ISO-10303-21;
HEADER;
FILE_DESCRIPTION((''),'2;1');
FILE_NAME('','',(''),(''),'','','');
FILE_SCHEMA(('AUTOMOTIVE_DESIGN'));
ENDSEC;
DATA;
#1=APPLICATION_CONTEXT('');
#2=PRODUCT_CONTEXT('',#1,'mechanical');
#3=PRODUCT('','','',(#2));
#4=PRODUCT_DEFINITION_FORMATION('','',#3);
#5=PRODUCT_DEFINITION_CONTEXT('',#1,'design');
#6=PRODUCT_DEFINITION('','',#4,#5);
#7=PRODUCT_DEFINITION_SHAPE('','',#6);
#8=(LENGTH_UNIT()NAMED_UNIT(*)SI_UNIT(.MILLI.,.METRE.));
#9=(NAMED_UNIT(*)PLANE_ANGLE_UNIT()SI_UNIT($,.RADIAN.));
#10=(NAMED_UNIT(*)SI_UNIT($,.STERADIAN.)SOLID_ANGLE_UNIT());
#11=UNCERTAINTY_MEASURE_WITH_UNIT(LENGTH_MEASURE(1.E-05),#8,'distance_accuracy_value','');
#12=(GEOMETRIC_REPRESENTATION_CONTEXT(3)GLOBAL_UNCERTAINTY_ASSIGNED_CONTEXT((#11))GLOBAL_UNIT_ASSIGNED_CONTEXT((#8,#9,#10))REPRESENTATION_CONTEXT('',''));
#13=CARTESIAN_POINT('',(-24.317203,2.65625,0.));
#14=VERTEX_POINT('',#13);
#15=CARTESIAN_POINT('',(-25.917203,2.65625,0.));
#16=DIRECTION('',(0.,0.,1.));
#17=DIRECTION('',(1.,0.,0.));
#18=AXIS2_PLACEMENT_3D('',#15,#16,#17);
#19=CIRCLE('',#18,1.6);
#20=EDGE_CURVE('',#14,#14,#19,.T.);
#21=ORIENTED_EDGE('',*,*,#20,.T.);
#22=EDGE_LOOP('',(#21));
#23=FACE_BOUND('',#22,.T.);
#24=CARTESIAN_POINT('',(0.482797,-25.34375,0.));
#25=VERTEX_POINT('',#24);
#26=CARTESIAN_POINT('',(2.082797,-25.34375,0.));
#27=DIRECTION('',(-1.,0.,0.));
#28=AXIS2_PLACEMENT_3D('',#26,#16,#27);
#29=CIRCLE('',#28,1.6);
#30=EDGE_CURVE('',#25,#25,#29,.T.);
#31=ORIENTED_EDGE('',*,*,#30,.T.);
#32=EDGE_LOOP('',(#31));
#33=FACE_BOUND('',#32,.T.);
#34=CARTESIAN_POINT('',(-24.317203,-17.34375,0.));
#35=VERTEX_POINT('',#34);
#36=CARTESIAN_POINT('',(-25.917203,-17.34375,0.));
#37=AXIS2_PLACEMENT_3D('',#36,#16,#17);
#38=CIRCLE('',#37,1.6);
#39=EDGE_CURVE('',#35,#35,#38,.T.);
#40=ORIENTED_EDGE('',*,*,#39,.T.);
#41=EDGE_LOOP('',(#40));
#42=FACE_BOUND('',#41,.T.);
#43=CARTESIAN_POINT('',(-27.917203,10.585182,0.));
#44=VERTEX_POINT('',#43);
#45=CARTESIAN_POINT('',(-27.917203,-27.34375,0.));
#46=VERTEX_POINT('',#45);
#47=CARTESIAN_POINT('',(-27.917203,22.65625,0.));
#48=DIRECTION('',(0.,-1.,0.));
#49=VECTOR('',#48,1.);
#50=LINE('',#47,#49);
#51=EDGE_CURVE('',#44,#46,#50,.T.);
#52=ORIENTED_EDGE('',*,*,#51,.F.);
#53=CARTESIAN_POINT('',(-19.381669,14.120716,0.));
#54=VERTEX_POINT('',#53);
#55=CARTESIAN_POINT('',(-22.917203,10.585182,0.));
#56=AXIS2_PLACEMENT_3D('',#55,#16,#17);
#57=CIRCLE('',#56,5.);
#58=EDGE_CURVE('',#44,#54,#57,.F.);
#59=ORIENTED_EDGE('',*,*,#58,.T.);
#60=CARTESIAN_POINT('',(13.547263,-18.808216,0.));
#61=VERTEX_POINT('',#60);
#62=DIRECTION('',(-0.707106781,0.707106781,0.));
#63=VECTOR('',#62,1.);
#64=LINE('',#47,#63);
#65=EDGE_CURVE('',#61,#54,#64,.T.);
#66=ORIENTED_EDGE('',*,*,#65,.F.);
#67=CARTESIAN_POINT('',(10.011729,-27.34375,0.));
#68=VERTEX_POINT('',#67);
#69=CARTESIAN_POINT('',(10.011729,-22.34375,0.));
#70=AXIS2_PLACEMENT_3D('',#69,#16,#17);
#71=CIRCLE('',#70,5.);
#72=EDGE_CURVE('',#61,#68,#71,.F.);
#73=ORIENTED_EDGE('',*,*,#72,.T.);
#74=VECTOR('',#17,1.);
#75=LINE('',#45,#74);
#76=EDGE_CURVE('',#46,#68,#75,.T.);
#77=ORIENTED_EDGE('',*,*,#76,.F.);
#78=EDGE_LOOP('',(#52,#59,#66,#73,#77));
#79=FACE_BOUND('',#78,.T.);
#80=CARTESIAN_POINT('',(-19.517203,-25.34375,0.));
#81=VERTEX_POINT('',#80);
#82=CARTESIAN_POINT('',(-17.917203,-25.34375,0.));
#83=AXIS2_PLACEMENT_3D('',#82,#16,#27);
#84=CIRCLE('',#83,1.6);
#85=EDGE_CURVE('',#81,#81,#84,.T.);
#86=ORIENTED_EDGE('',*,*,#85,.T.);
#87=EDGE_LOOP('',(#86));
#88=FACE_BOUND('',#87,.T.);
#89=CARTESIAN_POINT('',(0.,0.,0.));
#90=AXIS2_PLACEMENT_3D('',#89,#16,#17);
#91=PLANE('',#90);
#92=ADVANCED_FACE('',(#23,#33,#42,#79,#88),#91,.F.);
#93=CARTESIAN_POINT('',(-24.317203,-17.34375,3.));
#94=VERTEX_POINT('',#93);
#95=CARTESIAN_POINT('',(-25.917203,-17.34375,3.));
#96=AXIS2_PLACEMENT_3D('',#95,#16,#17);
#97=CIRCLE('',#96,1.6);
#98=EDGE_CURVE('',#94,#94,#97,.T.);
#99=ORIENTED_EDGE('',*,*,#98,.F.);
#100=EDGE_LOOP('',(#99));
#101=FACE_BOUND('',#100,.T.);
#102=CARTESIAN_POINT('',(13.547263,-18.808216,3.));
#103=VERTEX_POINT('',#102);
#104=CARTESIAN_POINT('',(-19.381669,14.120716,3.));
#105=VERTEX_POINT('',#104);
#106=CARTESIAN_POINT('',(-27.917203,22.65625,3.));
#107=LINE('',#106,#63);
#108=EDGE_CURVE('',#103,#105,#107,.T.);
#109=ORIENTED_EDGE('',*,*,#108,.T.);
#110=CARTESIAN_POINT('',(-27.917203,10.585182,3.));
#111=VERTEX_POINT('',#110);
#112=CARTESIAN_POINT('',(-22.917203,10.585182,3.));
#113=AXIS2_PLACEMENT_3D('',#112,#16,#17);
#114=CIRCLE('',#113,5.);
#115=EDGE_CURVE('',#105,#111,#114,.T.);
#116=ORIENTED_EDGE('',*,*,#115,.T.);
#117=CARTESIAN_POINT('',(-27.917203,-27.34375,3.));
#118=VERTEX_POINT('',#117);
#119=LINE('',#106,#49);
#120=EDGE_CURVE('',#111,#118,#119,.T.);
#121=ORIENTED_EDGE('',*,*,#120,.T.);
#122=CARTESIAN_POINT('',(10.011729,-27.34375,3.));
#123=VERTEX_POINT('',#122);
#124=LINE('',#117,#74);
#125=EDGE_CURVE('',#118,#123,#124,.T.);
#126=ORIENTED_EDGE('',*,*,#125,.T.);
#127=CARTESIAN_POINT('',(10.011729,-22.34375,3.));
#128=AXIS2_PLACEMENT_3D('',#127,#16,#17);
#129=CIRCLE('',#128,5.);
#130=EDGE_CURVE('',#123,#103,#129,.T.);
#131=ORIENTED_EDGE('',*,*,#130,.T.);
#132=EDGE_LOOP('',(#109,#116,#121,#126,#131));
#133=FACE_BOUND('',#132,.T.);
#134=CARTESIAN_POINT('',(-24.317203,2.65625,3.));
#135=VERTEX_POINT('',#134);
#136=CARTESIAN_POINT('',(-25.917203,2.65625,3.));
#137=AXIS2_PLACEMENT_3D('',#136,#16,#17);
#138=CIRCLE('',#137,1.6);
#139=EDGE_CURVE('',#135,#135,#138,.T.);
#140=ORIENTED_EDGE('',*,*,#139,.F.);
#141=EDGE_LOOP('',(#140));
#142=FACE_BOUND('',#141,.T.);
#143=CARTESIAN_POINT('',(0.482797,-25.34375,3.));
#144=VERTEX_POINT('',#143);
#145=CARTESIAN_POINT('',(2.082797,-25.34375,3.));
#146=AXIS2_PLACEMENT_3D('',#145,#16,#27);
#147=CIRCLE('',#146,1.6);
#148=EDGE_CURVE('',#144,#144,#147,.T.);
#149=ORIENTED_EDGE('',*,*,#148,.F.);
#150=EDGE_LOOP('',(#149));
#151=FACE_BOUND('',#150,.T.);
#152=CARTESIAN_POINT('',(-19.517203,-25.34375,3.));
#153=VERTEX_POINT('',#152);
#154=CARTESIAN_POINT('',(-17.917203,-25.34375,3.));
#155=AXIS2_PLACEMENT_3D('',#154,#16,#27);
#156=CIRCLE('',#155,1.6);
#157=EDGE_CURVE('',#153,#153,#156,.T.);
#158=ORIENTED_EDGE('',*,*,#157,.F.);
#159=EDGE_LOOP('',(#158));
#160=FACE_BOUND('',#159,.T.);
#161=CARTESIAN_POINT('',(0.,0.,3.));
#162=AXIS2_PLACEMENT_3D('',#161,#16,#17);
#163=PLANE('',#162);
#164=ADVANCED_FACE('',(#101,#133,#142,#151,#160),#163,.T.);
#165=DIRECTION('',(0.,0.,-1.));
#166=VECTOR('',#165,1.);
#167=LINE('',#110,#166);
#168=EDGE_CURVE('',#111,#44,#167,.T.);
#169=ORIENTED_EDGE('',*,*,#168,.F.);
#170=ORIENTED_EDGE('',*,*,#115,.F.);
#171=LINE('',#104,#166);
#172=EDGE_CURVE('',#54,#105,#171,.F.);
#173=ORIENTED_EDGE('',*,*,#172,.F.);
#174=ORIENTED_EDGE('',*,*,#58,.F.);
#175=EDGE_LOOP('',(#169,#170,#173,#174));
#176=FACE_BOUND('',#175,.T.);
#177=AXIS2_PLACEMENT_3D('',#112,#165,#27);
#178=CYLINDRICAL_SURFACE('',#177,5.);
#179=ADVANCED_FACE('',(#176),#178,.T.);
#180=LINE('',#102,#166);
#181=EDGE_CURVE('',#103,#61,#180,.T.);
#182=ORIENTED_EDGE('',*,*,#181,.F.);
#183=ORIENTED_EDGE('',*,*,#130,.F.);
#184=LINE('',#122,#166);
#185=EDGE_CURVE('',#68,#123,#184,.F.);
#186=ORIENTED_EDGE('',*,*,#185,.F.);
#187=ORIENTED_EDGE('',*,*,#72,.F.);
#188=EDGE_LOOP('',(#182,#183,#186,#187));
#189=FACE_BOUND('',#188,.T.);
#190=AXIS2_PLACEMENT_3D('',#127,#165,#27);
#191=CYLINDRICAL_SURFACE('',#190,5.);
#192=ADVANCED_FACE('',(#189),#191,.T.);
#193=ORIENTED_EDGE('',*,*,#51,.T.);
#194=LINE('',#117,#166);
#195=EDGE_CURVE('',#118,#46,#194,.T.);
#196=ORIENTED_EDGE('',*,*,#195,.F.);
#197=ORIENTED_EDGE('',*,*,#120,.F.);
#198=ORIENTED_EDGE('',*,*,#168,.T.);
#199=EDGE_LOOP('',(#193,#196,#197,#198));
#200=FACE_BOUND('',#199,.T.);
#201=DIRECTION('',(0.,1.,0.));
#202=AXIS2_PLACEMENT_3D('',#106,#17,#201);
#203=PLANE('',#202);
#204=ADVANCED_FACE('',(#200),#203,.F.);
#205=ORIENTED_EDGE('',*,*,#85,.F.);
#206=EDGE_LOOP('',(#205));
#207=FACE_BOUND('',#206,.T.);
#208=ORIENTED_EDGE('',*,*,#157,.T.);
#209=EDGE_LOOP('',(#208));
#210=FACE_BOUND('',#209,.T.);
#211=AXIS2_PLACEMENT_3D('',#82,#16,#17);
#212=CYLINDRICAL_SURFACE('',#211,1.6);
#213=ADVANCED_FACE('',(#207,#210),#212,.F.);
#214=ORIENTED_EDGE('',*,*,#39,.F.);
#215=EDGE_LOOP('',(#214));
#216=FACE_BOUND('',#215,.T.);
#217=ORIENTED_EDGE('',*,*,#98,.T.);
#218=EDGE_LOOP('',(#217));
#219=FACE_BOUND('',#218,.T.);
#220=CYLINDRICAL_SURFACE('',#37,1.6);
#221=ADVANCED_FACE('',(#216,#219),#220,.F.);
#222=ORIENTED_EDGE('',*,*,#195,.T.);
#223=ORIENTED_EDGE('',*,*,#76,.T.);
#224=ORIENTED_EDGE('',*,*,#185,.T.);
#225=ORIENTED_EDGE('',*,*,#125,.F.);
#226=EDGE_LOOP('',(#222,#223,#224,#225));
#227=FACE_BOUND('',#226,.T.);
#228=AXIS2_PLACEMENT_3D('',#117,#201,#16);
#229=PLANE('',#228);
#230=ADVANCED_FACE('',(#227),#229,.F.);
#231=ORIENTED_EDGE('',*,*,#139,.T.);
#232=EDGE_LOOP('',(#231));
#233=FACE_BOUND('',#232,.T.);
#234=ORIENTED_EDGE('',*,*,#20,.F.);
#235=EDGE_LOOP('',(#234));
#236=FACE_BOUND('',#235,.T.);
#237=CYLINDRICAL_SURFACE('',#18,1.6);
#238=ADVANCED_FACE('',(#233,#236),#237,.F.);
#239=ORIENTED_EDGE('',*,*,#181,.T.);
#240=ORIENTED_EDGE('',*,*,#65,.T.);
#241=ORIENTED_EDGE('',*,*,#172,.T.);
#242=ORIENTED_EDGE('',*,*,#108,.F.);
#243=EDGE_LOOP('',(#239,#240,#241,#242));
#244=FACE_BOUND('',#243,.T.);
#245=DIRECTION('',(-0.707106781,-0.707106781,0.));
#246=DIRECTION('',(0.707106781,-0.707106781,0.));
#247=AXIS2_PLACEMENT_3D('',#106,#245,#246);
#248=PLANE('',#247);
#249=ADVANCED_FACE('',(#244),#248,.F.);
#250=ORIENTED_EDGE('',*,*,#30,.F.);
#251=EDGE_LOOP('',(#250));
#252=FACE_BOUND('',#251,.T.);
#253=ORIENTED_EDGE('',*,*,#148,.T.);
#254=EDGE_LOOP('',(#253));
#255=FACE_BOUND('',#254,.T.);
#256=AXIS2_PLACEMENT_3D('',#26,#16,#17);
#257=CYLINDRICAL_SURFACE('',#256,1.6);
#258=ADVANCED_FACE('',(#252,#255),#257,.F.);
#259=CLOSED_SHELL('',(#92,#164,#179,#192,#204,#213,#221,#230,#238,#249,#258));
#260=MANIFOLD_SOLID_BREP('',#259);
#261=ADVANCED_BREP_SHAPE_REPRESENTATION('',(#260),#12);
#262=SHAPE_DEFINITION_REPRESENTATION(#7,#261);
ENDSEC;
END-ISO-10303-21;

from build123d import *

# Parameters (mm, degrees)
BOSS_EXTRUDE1_DEPTH = 3
SKETCH2_R           = 1.6
CUT_EXTRUDE1_DEPTH  = 3
FILLET2_R           = 5


with BuildPart() as part:
    # Sketch1 → Boss-Extrude1 (new body)
    with BuildSketch(Plane.XY):
        Polygon((-27.9172032, 22.65625), (-27.9172032, -27.34375), (22.0827968, -27.34375), align=None)
    extrude(amount=BOSS_EXTRUDE1_DEPTH)

    # Sketch2 → Cut-Extrude1 (cut)
    with BuildSketch(Plane.XY.offset(3)):
        with Locations((-25.9172032, -17.34375)):
            Circle(SKETCH2_R)
        with Locations((-25.9172032, 2.65625)):
            Circle(SKETCH2_R)
        with Locations(Location((-17.9172032, -25.34375, 0), (0, 0, 180))):
            Circle(SKETCH2_R)
        with Locations(Location((2.0827968, -25.34375, 0), (0, 0, 180))):
            Circle(SKETCH2_R)
    extrude(amount=-CUT_EXTRUDE1_DEPTH, mode=Mode.SUBTRACT)

    # Fillet2
    fillet2_edges = [part.edges().sort_by_distance(p)[0] for p in [
        (22.0827968, -27.34375, 1.5),
        (-27.9172032, 22.65625, 1.5),
    ]]
    fillet(fillet2_edges, radius=FILLET2_R)


solid = part.part
